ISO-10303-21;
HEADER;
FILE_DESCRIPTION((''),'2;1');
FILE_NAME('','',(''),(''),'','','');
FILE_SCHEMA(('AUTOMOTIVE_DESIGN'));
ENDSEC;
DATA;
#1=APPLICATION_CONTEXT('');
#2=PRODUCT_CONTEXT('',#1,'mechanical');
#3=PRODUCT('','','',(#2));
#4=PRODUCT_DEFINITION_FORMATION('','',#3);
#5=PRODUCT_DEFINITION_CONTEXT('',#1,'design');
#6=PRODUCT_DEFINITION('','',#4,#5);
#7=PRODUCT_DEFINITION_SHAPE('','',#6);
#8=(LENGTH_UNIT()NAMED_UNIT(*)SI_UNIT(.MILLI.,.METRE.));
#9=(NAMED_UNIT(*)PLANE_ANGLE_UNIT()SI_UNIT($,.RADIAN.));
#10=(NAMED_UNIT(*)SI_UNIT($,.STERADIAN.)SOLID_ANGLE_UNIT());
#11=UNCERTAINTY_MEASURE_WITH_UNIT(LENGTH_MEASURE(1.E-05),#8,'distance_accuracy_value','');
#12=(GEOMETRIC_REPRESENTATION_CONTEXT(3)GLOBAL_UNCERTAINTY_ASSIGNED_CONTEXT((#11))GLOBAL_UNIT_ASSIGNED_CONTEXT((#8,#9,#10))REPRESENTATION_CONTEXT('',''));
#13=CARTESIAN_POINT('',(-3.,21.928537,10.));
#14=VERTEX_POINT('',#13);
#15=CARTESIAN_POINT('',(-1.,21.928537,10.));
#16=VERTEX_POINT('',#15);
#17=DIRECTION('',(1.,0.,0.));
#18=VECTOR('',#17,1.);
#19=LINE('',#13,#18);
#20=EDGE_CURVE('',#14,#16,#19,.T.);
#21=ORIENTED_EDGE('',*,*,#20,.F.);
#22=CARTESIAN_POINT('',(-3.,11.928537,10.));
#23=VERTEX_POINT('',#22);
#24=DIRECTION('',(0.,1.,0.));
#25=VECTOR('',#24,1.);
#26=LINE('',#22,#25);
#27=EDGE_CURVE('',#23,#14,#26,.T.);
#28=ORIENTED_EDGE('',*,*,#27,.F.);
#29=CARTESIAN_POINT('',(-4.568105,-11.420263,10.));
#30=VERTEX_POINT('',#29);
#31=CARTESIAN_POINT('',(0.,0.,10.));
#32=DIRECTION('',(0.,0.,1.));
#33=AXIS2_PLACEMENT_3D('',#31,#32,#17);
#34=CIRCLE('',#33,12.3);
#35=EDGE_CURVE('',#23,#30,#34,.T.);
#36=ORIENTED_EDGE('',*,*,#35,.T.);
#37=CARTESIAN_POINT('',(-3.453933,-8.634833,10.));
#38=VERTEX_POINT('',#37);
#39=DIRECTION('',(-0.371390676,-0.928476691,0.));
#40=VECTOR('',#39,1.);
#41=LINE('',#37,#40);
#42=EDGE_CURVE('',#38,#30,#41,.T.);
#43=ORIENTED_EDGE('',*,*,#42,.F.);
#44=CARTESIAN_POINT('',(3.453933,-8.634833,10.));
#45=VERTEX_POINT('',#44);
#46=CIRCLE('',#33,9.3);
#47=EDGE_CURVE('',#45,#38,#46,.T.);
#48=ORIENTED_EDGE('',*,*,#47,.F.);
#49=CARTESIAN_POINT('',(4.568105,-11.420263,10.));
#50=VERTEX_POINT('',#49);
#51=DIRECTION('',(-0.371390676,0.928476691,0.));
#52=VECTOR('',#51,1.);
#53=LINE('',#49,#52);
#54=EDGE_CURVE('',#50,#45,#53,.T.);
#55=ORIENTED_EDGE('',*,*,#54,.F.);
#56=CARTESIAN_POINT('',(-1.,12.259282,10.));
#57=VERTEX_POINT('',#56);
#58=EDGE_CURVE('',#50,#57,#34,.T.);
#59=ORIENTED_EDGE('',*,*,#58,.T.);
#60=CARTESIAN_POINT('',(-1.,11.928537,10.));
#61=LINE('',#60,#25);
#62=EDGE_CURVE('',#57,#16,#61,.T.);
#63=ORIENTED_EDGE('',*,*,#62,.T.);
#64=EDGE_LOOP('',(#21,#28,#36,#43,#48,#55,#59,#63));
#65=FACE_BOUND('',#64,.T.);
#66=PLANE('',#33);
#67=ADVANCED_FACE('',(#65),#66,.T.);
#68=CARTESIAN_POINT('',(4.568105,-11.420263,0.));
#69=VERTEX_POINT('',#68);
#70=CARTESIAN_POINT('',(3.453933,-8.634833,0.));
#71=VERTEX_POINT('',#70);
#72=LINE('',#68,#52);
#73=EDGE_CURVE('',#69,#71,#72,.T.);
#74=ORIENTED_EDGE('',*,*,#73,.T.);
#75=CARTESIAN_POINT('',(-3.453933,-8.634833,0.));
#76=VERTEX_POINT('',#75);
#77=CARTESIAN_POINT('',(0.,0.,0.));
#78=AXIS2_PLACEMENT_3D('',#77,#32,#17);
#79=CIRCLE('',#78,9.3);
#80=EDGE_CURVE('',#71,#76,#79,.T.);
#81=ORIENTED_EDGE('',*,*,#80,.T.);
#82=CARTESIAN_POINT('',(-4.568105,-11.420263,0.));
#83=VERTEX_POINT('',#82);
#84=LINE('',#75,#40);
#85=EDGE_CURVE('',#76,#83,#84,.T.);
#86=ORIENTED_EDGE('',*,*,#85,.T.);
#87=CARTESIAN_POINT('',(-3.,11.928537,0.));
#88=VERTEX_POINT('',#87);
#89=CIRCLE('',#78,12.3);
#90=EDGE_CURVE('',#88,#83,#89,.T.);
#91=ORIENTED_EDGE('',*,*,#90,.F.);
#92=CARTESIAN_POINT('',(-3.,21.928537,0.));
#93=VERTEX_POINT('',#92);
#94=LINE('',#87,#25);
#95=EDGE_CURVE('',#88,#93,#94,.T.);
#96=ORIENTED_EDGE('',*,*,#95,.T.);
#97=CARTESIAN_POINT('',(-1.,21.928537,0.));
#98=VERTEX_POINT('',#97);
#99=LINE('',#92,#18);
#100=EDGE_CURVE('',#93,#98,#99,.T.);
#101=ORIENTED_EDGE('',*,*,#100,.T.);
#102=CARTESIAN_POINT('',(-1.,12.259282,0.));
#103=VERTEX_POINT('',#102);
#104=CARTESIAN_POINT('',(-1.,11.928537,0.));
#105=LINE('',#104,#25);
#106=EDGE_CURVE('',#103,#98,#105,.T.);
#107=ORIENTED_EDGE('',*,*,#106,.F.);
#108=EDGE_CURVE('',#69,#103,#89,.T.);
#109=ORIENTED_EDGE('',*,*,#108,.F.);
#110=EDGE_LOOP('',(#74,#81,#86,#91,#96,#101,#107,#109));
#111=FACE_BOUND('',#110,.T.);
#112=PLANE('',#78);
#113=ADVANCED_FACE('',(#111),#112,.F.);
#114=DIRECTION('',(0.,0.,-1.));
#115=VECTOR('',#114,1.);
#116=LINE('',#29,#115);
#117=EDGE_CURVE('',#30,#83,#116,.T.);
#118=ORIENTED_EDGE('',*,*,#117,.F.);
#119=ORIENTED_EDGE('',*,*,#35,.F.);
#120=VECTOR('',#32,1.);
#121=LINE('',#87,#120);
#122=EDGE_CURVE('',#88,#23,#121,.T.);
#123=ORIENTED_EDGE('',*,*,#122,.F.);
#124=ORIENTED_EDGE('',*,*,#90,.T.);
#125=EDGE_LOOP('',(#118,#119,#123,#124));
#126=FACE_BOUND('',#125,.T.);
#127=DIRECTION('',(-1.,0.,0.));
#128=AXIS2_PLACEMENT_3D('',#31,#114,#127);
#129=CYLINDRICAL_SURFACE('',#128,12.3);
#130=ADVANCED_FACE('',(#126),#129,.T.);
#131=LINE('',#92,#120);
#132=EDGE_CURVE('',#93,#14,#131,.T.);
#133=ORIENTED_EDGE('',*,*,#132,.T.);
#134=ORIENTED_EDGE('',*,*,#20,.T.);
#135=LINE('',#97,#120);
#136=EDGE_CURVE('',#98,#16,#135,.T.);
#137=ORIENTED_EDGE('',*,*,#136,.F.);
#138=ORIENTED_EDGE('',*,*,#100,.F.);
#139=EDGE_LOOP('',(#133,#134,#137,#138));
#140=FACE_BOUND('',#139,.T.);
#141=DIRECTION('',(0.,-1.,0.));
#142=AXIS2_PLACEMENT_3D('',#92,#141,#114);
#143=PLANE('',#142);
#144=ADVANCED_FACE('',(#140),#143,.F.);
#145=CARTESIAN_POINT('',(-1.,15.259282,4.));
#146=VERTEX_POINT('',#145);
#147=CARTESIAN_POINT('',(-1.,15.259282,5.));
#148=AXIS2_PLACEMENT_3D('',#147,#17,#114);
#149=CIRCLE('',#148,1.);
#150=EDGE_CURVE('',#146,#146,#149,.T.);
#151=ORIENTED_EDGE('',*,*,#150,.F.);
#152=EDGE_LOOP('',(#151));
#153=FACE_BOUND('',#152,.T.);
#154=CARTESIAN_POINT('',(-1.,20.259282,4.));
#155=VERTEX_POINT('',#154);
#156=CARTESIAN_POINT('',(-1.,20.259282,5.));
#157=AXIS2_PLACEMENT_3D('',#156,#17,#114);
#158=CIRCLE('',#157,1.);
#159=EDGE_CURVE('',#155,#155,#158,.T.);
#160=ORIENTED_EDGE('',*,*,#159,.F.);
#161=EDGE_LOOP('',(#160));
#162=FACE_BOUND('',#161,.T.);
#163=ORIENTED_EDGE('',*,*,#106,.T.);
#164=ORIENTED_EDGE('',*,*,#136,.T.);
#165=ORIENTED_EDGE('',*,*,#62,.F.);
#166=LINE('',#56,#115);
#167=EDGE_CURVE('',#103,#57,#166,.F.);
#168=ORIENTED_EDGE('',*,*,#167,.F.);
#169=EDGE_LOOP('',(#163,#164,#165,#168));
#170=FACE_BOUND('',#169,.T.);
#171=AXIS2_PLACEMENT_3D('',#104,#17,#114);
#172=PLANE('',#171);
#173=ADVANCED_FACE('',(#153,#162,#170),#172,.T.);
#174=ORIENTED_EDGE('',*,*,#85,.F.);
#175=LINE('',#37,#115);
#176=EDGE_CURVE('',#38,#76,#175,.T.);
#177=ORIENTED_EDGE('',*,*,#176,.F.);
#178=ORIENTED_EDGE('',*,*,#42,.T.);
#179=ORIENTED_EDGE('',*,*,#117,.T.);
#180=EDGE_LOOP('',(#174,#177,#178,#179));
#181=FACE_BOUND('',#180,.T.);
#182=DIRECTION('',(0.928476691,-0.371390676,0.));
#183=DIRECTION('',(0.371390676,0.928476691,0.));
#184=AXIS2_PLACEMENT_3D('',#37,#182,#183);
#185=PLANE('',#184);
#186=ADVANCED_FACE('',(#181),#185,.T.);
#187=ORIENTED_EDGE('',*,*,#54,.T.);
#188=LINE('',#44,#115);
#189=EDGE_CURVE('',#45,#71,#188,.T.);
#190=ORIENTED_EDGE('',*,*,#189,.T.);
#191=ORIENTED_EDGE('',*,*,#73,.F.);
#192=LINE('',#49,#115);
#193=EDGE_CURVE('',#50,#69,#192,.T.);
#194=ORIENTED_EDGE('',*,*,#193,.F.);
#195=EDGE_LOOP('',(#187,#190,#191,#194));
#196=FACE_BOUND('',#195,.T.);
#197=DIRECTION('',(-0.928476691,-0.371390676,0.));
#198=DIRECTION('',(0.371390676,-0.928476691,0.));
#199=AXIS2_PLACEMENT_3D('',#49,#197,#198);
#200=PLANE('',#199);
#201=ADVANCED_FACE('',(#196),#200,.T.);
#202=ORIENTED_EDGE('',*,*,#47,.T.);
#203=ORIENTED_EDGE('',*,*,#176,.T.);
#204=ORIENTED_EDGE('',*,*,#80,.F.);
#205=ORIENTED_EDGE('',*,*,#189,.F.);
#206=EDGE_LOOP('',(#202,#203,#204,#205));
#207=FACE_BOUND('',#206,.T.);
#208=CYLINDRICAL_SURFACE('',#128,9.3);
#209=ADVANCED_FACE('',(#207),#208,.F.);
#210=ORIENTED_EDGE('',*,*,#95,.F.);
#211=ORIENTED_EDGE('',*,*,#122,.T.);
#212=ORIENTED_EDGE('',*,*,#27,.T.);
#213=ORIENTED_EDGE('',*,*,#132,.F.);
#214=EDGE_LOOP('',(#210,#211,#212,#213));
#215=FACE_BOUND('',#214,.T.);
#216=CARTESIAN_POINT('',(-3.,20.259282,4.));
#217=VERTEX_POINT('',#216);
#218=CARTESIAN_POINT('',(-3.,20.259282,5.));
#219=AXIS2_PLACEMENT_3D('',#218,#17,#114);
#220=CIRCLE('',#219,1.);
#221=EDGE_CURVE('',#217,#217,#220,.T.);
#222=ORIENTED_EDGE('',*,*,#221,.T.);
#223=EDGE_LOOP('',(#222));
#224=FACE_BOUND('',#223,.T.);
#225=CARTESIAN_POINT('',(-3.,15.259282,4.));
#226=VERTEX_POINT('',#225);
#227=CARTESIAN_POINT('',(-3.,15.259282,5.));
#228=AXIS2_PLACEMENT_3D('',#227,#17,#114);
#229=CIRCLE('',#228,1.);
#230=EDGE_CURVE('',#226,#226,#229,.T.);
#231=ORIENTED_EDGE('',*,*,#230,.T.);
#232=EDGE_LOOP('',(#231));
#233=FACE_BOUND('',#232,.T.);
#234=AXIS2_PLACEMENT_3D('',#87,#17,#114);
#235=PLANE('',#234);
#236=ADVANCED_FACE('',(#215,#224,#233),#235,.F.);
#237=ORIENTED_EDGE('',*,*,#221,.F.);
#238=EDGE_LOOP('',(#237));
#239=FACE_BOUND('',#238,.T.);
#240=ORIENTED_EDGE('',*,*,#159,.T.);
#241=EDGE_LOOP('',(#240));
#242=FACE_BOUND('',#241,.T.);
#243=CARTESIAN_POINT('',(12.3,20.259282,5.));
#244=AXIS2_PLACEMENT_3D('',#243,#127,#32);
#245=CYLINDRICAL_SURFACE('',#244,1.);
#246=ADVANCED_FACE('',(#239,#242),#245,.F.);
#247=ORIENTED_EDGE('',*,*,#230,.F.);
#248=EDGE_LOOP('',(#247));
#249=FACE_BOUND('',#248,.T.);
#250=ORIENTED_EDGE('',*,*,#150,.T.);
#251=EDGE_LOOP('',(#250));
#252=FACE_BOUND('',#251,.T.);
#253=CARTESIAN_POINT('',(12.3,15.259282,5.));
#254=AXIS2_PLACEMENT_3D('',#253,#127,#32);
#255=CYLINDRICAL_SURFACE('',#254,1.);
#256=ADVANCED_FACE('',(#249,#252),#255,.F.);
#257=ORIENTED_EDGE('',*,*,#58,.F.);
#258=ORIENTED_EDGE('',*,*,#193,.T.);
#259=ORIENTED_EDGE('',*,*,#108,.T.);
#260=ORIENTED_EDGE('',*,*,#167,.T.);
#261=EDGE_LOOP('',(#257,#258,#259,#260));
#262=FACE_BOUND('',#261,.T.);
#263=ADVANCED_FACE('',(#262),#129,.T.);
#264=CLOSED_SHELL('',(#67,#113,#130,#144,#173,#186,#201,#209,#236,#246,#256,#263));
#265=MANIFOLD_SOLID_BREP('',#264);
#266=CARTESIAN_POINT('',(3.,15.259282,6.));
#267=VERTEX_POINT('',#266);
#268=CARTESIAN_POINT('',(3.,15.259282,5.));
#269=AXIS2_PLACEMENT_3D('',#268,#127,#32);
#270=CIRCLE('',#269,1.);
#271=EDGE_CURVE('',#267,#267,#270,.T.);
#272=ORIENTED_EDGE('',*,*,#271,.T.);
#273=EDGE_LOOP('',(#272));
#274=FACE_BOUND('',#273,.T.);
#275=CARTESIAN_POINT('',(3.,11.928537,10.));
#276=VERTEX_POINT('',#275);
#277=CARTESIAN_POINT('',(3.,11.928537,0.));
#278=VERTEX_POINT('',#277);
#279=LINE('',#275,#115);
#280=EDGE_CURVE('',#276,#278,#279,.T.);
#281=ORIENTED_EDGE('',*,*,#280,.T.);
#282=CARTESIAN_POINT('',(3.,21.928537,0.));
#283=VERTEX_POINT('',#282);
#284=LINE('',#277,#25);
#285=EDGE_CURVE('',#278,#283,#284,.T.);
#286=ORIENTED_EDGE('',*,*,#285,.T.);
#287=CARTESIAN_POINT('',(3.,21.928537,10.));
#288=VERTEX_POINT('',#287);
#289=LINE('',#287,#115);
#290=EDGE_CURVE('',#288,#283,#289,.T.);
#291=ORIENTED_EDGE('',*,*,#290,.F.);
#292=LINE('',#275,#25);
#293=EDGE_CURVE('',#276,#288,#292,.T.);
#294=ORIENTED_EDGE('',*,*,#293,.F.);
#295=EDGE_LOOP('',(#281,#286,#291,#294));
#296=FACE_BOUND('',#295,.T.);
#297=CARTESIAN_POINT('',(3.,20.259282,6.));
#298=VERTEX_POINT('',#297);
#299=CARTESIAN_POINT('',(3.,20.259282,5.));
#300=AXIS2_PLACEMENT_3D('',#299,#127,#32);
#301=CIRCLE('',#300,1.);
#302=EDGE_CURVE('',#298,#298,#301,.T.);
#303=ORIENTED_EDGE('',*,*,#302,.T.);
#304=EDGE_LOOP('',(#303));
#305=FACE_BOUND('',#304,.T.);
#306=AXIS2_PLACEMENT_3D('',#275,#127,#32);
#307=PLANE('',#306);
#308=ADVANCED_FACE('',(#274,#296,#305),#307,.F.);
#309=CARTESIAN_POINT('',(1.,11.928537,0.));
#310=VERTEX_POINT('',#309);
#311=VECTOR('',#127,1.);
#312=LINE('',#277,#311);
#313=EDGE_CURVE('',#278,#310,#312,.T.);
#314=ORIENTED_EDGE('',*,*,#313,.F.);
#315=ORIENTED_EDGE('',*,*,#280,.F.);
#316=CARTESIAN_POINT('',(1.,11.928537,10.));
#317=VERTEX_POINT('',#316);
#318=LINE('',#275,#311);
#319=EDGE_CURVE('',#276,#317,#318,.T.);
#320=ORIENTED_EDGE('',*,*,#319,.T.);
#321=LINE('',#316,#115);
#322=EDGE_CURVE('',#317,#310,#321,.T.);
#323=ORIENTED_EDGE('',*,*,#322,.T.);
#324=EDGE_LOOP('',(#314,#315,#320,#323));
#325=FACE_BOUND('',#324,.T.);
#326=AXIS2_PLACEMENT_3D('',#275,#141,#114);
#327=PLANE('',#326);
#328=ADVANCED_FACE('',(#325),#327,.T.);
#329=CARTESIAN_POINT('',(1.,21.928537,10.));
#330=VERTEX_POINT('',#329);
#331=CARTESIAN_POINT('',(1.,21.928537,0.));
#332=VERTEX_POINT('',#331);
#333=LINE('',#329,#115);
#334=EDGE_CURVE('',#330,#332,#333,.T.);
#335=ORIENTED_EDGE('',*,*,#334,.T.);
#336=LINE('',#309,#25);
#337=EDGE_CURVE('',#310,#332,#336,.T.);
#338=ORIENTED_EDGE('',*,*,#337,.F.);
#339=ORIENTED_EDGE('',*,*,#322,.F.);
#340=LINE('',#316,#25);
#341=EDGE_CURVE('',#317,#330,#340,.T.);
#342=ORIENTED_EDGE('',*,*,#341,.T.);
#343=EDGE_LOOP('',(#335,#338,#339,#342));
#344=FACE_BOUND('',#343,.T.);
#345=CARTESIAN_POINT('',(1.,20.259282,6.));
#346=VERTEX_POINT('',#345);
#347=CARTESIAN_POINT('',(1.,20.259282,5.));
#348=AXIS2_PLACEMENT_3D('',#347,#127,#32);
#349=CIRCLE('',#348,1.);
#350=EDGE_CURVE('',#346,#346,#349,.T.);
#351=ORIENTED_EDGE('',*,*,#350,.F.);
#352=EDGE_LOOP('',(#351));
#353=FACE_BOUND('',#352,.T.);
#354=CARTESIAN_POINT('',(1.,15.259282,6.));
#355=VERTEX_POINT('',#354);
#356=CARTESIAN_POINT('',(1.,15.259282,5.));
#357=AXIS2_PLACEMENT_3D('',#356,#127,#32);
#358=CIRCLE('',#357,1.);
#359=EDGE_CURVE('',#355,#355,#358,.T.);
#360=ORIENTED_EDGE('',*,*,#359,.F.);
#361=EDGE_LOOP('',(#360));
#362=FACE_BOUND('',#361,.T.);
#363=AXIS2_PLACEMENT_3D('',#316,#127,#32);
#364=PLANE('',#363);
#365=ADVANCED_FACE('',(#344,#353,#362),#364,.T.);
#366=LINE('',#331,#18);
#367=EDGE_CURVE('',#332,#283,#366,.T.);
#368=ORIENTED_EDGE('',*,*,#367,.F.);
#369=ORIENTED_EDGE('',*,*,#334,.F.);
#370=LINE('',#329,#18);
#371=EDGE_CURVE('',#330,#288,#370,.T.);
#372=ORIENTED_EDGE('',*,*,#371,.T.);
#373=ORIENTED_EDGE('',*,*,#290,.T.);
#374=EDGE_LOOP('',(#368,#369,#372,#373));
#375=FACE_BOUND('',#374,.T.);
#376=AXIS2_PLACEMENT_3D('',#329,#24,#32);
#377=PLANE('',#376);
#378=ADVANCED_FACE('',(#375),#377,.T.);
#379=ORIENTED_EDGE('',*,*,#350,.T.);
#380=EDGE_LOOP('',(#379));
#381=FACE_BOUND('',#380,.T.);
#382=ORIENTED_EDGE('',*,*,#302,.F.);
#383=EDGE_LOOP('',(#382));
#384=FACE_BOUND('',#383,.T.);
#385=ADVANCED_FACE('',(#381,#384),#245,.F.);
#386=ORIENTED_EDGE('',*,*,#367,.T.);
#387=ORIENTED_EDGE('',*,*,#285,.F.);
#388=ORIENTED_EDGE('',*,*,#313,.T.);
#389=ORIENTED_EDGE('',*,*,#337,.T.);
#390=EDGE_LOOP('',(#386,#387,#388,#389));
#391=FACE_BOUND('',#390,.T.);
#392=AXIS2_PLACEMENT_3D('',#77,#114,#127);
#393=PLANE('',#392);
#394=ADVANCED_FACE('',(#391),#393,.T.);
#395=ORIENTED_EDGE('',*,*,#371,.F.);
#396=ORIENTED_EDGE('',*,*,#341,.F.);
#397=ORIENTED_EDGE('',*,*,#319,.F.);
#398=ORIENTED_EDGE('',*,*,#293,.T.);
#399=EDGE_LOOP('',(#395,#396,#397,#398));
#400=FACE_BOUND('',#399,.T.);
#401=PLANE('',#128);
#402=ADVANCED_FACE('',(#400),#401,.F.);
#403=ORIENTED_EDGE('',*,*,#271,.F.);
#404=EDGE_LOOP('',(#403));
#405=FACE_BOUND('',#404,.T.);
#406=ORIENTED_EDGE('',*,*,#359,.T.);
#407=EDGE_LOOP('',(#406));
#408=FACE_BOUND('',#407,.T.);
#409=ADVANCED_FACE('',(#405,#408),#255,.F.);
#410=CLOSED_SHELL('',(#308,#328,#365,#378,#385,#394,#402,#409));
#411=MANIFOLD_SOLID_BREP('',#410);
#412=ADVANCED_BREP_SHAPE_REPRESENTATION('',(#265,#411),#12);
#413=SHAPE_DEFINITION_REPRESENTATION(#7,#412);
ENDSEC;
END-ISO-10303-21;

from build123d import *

# Parameters (mm, degrees)
EXTRUDE_THIN1_DEPTH     = 10
SKETCH3_W               = 2
SKETCH3_H               = 10
EXTRUDE_THIN2_DEPTH     = 10
SKETCH4_W               = 2
SKETCH4_H               = 10
EXTRUDE_THIN3_DEPTH     = 10
CUT_EXTRUDE1_DEPTH      = 29.547342157
CUT_EXTRUDE1_DEPTH_BACK = 29.547342157
SKETCH5_R               = 1


with BuildPart() as part:
    # Sketch1 → Extrude-Thin1 (new body)
    with BuildSketch(Plane.XY):
        with BuildLine():
            ThreePointArc((3.45393329, -8.634833225), (0, 9.3), (-3.45393329, -8.634833225))
            Line((-3.45393329, -8.634833225), (-4.568105319, -11.420263298))
            ThreePointArc((-4.568105319, -11.420263298), (0, 12.3), (4.568105319, -11.420263298))
            Line((4.568105319, -11.420263298), (3.45393329, -8.634833225))
        make_face()
    extrude(amount=EXTRUDE_THIN1_DEPTH)

    # Sketch3 → Extrude-Thin2 (add)
    with BuildSketch(Plane.XY.offset(10)):
        with Locations((-2, 16.928537211)):
            Rectangle(SKETCH3_W, SKETCH3_H)
    extrude(amount=-EXTRUDE_THIN2_DEPTH)


with BuildPart() as body_2:
    # Sketch4 → Extrude-Thin3 (new body)
    with BuildSketch(Plane.XY):
        with Locations((2, 16.928537211)):
            Rectangle(SKETCH4_W, SKETCH4_H)
    extrude(amount=EXTRUDE_THIN3_DEPTH)


with BuildPart() as cut_extrude1_tool:
    # Sketch5 → Cut-Extrude1 (new, two sides: drawn at the far end of the back side and taken through both)
    with BuildSketch(Plane.ZY.offset(3).offset(-CUT_EXTRUDE1_DEPTH_BACK)):
        with Locations((5, 20.259282198)):
            Circle(SKETCH5_R)
        with Locations((5, 15.259282198)):
            Circle(SKETCH5_R)
    extrude(amount=CUT_EXTRUDE1_DEPTH + CUT_EXTRUDE1_DEPTH_BACK)


with BuildPart() as part_1:
    add(part.part)

    # Cut-Extrude1: cut by cut_extrude1_tool
    add(cut_extrude1_tool.part, mode=Mode.SUBTRACT)


with BuildPart() as body_2_1:
    add(body_2.part)

    # Cut-Extrude1: cut by cut_extrude1_tool
    add(cut_extrude1_tool.part, mode=Mode.SUBTRACT)


solid = Compound([part_1.part, body_2_1.part])
